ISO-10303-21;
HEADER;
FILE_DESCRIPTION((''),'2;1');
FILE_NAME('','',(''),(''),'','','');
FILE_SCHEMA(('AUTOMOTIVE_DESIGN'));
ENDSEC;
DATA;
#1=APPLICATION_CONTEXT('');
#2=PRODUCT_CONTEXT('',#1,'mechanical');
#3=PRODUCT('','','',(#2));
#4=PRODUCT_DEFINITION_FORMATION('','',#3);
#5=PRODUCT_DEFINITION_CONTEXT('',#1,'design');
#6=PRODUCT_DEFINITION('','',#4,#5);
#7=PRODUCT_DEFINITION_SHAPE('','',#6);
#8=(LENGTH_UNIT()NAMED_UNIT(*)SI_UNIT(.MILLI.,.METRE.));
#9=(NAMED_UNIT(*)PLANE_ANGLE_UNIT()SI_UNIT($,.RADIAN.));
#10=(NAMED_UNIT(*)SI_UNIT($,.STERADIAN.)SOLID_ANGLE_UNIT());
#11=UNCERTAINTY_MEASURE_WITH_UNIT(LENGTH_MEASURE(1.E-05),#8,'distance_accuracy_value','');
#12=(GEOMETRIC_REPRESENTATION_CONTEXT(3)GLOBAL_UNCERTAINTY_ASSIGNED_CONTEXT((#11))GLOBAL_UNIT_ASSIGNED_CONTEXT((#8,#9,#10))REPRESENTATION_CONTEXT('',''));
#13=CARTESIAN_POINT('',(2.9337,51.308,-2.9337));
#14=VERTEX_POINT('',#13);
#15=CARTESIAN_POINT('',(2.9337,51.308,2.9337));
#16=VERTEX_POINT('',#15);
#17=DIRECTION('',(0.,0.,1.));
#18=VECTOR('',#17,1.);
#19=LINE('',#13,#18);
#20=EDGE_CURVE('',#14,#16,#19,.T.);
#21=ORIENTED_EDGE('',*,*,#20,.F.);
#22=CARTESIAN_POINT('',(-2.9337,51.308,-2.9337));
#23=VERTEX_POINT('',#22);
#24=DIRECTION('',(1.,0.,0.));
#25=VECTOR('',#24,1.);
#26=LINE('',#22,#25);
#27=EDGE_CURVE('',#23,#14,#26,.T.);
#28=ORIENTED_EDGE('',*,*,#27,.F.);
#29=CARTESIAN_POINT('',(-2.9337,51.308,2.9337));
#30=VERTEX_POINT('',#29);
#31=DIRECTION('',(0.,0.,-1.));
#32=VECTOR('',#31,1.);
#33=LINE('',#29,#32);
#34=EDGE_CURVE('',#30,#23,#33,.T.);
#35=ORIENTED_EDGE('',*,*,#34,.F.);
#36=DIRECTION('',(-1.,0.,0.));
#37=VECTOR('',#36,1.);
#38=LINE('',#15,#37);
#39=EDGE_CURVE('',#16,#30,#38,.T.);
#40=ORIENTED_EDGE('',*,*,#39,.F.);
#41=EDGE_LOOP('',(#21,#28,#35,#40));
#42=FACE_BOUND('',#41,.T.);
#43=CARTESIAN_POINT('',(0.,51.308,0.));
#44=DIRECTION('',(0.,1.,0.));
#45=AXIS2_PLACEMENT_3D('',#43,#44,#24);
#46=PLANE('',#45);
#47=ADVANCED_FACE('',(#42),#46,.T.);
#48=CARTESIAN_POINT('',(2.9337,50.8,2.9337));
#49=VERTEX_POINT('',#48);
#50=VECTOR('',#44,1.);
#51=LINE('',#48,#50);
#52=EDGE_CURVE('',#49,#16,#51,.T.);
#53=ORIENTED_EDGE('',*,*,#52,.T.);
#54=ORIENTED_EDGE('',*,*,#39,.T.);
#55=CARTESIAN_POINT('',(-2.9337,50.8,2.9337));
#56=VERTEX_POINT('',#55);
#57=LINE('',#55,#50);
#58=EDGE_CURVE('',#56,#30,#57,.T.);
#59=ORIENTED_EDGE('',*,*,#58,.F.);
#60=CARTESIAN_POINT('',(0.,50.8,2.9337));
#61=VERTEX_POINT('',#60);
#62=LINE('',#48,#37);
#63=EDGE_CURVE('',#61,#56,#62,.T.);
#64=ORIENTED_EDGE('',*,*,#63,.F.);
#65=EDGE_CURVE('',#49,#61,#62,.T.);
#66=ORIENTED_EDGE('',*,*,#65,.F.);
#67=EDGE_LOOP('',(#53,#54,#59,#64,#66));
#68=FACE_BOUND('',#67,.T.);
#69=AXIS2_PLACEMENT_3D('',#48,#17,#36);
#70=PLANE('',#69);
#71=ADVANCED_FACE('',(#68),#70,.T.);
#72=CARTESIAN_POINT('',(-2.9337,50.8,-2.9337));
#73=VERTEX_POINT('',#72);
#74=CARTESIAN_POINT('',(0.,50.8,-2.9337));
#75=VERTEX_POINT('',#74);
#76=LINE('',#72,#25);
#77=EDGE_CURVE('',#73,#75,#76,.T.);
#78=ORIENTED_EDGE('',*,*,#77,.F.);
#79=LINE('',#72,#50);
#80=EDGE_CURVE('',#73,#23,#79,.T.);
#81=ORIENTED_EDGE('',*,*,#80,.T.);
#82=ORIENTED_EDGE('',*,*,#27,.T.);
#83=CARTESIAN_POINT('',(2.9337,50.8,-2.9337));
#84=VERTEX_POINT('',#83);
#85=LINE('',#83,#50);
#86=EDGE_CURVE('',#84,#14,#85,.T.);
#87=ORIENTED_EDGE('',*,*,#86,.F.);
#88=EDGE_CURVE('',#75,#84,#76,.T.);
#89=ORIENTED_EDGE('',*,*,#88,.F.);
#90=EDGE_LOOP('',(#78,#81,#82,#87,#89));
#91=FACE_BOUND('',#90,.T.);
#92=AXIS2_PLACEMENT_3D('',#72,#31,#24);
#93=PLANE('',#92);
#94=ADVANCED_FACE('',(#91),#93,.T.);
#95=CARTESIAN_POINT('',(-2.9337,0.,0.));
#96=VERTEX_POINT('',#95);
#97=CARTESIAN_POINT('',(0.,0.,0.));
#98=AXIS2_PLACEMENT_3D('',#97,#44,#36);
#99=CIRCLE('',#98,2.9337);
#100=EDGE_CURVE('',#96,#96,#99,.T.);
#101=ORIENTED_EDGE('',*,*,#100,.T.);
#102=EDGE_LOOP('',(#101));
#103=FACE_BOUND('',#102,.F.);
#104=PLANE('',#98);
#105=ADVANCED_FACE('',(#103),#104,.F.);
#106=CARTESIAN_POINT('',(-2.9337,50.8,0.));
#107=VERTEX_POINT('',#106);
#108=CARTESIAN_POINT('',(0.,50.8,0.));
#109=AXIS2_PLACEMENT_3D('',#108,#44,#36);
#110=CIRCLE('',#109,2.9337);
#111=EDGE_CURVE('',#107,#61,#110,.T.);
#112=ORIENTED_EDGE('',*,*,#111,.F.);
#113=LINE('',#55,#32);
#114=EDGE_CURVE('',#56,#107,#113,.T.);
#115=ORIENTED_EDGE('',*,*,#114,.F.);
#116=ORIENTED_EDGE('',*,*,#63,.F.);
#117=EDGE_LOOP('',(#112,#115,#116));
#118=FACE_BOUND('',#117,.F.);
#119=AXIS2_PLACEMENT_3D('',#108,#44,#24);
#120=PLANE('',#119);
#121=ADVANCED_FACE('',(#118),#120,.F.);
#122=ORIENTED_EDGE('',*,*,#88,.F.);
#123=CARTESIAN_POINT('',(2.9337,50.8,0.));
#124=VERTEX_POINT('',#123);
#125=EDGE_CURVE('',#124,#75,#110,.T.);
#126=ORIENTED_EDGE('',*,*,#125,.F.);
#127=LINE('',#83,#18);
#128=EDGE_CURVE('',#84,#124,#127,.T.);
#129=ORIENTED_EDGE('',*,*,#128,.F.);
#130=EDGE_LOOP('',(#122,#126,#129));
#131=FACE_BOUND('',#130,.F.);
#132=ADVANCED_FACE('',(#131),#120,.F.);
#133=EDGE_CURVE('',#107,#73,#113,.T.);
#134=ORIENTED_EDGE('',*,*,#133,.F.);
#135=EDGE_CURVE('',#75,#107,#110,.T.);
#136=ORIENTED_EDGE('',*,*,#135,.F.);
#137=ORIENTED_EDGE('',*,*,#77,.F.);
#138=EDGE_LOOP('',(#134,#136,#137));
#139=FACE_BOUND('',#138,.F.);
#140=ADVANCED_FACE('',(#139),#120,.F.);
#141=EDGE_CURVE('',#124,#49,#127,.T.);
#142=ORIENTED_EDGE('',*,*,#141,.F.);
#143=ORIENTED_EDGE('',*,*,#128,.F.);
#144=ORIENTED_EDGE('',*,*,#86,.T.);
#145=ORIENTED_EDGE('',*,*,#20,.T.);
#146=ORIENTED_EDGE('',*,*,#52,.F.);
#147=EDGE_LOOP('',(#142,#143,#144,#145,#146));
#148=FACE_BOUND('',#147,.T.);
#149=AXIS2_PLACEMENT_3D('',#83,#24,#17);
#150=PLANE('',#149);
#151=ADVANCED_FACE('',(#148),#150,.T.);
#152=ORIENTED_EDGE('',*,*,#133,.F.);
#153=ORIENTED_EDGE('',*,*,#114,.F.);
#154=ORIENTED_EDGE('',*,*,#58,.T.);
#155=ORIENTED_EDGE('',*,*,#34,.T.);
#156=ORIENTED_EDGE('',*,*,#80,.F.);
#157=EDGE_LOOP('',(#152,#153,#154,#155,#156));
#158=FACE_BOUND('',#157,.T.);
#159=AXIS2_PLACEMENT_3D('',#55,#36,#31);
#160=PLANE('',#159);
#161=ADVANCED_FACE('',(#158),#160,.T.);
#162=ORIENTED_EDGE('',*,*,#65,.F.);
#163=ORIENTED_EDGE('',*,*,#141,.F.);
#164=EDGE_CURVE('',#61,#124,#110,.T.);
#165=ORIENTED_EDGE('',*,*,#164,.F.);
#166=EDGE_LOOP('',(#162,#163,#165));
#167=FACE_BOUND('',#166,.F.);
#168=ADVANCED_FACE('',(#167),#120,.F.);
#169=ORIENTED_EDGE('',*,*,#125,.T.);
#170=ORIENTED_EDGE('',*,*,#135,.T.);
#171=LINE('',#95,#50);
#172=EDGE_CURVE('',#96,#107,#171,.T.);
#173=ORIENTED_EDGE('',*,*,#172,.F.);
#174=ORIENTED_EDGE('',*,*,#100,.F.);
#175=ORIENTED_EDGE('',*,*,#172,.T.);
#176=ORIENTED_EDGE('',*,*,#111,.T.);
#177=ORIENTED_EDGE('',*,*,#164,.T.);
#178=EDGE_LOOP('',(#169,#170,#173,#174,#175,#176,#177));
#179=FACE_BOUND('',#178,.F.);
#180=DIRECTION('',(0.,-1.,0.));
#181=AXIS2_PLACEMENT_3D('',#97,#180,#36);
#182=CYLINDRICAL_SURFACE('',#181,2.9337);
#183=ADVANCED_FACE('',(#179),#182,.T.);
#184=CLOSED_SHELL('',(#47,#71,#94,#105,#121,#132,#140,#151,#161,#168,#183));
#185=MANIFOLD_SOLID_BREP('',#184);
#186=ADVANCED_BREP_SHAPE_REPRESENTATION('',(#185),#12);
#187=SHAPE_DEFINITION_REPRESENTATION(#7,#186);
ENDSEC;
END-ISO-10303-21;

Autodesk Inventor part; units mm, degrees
ref_plane "YZ Plane" through (0, 0, 0) normal (1, 0, 0) x (0, 1, 0)
ref_plane "XZ Plane" through (0, 0, 0) normal (0, 1, 0) x (-1, 0, 0)
ref_plane "XY Plane" through (0, 0, 0) normal (0, 0, 1) x (1, 0, 0)
sketch "Sketch1" plane through (0, 0, 0) normal (0, 1, 0) x (-1, 0, 0)
  circle A0 centre (0, 0) radius 2.9337
  dimension "d0" = 5.8674
extrude "Extrusion1" add sketch "Sketch1" along normal blind 50.8
sketch "Sketch2" plane through (0, 50.8, 0) normal (0, 1, 0) x (1, 0, 0)
  line L0 (-2.9337, 2.9337) -> (2.9337, 2.9337)
  line L1 (2.9337, 2.9337) -> (2.9337, -2.9337)
  line L2 (2.9337, -2.9337) -> (-2.9337, -2.9337)
  line L3 (-2.9337, -2.9337) -> (-2.9337, 2.9337)
  line L4 (-2.9337, 2.9337) -> (2.9337, -2.9337) construction
  line L5 (2.9337, 2.9337) -> (-2.9337, -2.9337) construction
  point P0 (0, 0)
  dimension "d3" = 5.8674
  dimension "d4" = 5.8674
extrude "Extrusion2" add sketch "Sketch2" along normal blind 0.508
properties part number "bottom hook"
